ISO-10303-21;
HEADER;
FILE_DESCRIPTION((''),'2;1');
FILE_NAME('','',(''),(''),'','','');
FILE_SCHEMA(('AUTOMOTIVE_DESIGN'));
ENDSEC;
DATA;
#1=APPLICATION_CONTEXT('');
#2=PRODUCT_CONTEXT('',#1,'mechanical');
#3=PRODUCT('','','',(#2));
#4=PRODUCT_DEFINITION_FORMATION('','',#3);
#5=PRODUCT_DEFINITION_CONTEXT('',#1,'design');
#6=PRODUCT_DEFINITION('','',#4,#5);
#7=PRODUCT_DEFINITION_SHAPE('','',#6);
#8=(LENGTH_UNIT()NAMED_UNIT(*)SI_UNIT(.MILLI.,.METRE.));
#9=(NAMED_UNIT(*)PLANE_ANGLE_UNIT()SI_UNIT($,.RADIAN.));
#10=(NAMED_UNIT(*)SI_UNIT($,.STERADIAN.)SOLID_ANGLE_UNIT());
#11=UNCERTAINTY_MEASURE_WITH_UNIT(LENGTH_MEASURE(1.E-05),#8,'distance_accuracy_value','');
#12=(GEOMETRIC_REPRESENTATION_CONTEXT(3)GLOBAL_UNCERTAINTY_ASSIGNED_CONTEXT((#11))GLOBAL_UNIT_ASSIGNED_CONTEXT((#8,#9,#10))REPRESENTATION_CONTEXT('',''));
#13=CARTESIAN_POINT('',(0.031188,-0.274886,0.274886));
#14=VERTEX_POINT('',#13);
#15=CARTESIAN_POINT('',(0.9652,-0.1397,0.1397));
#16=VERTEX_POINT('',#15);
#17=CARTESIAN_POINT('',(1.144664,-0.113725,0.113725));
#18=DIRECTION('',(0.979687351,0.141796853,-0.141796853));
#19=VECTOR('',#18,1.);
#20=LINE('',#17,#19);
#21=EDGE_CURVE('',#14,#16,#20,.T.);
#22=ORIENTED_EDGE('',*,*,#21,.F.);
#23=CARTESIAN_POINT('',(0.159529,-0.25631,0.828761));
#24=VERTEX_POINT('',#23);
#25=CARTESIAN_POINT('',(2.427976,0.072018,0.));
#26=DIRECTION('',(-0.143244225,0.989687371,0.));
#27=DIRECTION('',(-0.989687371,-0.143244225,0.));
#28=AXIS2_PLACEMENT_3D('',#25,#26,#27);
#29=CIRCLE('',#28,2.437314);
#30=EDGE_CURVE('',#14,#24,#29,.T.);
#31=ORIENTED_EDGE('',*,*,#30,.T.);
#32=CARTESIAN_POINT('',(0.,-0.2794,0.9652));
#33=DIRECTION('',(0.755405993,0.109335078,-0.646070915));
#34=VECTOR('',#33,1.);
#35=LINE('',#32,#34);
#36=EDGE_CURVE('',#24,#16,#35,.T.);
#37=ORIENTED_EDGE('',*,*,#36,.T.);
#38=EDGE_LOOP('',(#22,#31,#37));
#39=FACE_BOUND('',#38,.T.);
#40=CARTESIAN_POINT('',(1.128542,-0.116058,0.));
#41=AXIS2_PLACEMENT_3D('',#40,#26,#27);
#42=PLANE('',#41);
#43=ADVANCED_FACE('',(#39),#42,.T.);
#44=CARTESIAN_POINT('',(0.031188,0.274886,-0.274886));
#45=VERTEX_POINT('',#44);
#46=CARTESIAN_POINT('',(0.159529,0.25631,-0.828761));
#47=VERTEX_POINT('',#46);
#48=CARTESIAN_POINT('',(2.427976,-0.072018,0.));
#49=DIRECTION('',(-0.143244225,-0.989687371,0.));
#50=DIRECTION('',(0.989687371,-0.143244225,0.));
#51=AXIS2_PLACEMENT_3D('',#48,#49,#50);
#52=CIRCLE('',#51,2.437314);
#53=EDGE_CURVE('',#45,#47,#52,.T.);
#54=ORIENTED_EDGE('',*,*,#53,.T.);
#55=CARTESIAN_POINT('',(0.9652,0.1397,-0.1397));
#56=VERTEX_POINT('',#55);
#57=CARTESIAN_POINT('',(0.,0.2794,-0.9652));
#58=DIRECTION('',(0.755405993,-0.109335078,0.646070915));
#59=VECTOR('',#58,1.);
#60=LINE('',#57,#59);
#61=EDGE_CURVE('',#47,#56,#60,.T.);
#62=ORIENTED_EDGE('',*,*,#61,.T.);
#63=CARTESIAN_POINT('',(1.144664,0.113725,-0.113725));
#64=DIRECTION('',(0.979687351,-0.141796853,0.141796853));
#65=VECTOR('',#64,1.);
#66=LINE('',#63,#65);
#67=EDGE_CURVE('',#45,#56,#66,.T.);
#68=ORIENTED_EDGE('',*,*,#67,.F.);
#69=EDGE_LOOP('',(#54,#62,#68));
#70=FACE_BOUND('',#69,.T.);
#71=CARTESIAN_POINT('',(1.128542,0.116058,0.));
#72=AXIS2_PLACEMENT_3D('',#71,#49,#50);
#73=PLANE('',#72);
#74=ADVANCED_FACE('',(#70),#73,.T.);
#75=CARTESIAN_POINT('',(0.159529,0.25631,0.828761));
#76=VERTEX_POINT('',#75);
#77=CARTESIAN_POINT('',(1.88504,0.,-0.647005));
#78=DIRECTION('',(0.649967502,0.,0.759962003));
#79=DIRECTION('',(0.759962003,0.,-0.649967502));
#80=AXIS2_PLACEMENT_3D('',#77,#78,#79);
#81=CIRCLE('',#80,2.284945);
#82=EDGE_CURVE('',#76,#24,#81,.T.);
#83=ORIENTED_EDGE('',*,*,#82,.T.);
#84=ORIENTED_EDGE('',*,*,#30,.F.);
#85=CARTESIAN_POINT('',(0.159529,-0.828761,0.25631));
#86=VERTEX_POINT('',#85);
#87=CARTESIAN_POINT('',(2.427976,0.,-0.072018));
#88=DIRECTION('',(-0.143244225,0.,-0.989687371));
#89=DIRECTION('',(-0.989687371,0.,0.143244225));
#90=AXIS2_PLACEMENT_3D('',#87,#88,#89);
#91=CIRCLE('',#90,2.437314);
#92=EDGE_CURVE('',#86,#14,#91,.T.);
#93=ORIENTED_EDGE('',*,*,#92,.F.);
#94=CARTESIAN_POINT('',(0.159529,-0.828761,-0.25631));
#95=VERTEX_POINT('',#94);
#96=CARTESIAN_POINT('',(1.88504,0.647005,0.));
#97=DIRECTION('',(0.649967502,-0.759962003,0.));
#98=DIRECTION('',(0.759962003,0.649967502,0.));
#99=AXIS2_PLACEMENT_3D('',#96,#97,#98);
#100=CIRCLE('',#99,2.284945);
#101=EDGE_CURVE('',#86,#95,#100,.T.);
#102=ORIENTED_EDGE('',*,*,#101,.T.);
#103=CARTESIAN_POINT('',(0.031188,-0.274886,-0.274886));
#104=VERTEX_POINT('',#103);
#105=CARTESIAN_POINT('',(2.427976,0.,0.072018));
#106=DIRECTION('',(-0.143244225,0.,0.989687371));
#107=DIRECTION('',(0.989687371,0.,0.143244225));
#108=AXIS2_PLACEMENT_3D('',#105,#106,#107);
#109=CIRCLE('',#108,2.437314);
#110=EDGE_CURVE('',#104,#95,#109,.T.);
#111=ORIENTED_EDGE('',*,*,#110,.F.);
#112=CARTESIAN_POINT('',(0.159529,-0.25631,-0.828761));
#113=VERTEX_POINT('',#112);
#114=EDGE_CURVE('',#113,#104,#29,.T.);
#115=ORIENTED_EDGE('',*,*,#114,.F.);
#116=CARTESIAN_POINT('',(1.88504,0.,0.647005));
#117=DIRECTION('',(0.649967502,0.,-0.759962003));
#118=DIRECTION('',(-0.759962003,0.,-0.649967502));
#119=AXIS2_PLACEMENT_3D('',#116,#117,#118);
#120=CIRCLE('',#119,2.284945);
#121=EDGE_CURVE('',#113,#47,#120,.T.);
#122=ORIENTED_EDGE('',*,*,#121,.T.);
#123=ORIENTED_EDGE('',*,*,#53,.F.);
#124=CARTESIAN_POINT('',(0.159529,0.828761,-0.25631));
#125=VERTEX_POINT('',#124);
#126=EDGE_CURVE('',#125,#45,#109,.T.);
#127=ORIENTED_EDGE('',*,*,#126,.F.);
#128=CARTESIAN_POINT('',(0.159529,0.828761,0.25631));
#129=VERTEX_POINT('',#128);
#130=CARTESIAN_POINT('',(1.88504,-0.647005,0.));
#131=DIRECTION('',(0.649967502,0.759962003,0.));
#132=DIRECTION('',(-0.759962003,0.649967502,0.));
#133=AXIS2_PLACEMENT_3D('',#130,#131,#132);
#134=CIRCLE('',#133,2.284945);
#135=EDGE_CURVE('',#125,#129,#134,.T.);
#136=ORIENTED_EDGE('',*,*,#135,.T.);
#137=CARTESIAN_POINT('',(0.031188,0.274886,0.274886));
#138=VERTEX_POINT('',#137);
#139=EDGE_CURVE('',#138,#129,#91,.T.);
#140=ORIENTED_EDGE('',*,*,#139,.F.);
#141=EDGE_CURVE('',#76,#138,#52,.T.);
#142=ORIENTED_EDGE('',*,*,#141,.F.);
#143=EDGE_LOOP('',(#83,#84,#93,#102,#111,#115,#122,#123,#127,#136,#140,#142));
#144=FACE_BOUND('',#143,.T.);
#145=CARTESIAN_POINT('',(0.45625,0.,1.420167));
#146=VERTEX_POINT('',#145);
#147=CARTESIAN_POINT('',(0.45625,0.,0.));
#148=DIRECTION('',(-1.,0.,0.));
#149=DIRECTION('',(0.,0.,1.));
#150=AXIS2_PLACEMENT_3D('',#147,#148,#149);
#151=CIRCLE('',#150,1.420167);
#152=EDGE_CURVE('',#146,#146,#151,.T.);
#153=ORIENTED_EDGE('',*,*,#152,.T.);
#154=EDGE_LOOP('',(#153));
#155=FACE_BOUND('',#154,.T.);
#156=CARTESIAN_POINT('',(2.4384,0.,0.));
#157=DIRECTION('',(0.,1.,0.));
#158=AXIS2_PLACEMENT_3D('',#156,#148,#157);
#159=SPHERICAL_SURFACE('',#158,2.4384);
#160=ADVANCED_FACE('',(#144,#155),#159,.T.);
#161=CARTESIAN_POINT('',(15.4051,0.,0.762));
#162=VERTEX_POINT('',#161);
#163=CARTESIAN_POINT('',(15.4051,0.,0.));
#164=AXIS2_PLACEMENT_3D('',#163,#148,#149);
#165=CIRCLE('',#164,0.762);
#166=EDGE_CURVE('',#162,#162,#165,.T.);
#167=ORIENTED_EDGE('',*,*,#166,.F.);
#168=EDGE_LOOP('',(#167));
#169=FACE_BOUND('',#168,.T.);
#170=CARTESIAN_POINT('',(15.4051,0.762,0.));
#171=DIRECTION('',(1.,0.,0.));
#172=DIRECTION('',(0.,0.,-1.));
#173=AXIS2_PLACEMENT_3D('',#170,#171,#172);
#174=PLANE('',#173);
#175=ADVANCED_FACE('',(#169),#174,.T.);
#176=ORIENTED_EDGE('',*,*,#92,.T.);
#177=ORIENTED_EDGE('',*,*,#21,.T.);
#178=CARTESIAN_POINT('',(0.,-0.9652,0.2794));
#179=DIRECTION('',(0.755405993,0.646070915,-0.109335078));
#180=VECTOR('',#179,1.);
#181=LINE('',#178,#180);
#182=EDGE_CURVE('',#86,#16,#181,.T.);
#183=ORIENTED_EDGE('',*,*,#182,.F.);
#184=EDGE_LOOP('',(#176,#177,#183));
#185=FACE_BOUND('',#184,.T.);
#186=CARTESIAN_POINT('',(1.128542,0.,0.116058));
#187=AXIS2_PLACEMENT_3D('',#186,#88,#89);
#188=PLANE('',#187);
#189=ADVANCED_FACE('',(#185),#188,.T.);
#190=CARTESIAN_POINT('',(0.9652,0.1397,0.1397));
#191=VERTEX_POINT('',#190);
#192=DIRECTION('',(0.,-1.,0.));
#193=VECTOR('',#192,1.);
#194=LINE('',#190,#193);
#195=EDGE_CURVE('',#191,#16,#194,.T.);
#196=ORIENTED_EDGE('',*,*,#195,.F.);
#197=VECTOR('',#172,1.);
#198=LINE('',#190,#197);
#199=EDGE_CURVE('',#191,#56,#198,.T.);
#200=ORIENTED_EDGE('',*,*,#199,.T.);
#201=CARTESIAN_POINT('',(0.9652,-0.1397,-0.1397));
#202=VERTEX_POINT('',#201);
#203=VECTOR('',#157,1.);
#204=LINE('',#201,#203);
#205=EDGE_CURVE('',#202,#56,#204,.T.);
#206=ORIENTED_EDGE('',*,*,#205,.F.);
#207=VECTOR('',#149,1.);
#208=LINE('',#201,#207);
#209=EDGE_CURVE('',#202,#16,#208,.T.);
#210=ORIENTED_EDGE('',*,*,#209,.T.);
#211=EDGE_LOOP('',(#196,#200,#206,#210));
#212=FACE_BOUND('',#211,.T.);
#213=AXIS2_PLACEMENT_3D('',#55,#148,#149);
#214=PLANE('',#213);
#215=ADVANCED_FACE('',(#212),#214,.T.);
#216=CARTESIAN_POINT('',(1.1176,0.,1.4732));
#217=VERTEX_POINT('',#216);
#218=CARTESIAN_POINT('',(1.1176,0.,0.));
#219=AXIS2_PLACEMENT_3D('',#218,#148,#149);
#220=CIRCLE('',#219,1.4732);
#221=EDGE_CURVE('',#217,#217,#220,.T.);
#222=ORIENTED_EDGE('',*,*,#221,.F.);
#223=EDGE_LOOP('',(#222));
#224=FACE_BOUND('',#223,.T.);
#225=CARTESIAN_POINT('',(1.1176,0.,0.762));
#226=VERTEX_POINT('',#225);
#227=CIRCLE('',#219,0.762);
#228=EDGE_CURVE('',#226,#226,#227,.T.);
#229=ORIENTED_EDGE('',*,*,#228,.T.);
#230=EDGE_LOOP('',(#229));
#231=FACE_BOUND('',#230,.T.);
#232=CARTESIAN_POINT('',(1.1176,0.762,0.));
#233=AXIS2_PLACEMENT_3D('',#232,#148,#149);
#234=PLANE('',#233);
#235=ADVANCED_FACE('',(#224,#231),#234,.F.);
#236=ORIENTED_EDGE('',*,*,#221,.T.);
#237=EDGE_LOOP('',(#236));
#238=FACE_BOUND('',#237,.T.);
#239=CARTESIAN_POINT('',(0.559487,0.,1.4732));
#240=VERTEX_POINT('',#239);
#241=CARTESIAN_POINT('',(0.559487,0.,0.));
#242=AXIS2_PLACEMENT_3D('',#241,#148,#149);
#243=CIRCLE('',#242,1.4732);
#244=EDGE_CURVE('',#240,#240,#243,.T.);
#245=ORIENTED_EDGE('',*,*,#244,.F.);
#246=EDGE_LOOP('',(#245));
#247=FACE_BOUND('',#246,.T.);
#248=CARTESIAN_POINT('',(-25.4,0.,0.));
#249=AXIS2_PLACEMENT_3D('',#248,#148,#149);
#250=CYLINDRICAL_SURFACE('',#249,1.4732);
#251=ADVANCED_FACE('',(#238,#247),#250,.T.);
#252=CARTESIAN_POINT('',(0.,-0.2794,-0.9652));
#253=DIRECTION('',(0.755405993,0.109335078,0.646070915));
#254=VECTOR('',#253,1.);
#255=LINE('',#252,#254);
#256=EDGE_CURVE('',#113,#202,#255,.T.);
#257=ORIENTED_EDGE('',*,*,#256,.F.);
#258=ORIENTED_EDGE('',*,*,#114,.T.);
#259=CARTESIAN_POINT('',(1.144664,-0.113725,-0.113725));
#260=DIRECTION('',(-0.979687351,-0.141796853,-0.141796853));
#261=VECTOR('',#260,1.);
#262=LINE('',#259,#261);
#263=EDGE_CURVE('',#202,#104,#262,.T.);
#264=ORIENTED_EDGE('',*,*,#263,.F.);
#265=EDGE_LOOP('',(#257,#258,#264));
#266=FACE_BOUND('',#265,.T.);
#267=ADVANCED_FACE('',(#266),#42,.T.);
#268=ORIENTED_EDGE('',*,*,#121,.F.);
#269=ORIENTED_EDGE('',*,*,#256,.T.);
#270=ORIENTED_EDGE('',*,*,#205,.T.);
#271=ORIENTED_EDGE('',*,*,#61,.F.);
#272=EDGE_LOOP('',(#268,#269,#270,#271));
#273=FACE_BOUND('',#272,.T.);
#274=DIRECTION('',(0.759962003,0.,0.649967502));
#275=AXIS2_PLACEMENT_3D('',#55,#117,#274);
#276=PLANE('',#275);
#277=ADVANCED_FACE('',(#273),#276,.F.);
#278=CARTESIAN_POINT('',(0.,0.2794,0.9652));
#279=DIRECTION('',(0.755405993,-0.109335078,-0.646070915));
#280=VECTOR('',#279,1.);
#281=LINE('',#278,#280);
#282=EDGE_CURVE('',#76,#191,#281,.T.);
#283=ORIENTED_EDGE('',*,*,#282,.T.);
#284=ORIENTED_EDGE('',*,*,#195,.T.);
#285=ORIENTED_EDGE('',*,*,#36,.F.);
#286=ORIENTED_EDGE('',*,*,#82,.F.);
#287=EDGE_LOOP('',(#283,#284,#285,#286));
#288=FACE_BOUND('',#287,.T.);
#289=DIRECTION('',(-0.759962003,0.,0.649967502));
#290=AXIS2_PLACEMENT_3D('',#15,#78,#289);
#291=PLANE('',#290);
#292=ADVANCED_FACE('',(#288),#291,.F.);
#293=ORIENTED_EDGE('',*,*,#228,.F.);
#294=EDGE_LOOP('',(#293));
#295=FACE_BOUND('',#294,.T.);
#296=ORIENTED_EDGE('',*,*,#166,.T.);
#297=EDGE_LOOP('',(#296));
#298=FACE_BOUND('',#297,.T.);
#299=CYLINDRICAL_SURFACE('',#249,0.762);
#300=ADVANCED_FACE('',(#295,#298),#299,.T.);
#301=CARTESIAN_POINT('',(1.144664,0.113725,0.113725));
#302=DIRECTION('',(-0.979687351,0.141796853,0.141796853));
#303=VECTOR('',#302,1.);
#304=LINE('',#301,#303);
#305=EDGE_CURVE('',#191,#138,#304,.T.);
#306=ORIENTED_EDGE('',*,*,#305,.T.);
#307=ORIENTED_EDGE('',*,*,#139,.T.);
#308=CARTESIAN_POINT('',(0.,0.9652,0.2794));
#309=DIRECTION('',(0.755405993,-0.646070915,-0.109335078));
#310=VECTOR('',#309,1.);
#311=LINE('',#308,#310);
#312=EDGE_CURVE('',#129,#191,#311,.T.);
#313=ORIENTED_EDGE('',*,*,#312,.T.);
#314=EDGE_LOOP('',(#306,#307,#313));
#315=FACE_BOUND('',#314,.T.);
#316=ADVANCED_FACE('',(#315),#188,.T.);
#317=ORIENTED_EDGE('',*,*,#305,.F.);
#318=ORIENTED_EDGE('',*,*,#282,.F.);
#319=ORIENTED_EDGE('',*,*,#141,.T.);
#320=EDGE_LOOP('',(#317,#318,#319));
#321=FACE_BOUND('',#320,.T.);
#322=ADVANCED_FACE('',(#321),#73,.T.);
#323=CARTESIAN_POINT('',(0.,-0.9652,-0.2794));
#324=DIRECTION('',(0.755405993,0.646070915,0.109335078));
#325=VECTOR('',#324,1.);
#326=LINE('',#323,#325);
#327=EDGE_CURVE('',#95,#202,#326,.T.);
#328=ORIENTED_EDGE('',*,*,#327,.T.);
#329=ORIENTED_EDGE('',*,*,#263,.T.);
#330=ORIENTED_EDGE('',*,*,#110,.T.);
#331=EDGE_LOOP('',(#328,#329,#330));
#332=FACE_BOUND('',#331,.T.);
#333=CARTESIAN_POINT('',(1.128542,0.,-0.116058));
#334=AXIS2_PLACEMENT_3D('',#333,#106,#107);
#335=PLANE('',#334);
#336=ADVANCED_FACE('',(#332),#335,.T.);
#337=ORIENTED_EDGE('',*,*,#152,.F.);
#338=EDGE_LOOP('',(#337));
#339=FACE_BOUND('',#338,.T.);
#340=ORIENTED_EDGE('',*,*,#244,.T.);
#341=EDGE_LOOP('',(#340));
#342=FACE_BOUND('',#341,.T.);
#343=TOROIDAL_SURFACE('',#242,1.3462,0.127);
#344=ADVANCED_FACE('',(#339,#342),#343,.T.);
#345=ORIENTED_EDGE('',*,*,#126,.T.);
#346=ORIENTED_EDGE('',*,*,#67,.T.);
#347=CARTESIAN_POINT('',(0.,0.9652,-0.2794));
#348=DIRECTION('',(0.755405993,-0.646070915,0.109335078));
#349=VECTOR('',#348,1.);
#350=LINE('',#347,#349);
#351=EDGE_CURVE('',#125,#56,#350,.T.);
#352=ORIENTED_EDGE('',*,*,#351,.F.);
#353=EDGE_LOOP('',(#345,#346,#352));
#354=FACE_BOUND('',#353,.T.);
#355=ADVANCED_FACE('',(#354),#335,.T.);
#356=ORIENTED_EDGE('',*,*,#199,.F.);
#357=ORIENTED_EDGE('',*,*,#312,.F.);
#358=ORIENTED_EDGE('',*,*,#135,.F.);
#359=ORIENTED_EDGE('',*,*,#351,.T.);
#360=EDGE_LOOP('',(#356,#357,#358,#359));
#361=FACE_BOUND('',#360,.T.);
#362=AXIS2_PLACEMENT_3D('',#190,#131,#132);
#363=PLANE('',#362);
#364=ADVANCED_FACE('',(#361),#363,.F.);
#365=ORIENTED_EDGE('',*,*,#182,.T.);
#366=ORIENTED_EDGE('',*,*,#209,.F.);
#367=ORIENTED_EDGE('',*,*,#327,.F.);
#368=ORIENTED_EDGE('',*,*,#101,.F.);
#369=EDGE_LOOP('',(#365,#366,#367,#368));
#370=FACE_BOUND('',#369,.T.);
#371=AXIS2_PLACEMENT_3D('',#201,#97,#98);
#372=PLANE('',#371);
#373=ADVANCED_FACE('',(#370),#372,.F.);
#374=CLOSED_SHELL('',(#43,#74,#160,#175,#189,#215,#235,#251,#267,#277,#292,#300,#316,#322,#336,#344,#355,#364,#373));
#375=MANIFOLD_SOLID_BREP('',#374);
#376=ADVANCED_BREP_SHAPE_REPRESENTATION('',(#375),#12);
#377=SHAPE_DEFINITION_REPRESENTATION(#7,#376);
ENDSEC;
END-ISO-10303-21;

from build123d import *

# Parameters (mm, degrees)
SKETCH3_W         = 0.5588
SKETCH3_H         = 1.9304
SKETCH4_W         = 0.2794
SKETCH4_H         = 0.2794
CIRPATTERN1_COUNT = 2
CIRPATTERN1_ANGLE = 90


with BuildPart() as part:
    # BodySke → Base-Revolve (revolve)
    with BuildSketch(Plane.XY):
        with BuildLine():
            Line((1.1176, 0.762), (1.1176, 1.4732))
            Line((1.1176, 1.4732), (0.559486612, 1.4732))
            ThreePointArc((0.559486612, 1.4732), (0.501455643, 1.459166396), (0.456249613, 1.420167033))
            ThreePointArc((0.456249613, 1.420167033), (0.116862787, 0.745828082), (0, 0))
            Line((0, 0), (15.4051, 0))
            Line((15.4051, 0), (15.4051, 0.762))
            Line((15.4051, 0.762), (1.1176, 0.762))
        make_face()
    revolve(axis=Axis((-25.4, 0, 0), (1, 0, 0)))

    # Sketch3 → Cut-Loft1 section 0
    with BuildSketch(Plane(origin=(0, 0, 0), x_dir=(0, 0, -1), z_dir=(1, 0, 0))):
        Rectangle(SKETCH3_W, SKETCH3_H)
    # Sketch4 → Cut-Loft1 section 1
    with BuildSketch(Plane(origin=(0.9652, 0, 0), x_dir=(0, 0, -1), z_dir=(1, 0, 0))):
        Rectangle(SKETCH4_W, SKETCH4_H)
    cut_loft1 = loft(mode=Mode.SUBTRACT)

    # CirPattern1: Cut-Loft1 ×2 about axis
    cirpattern1_axis = Axis((0, 0, 0), (1, 0, 0))
    for i in range(1, CIRPATTERN1_COUNT):
        add(cut_loft1.rotate(cirpattern1_axis, i * CIRPATTERN1_ANGLE / (CIRPATTERN1_COUNT - 1)), mode=Mode.SUBTRACT)


solid = part.part
